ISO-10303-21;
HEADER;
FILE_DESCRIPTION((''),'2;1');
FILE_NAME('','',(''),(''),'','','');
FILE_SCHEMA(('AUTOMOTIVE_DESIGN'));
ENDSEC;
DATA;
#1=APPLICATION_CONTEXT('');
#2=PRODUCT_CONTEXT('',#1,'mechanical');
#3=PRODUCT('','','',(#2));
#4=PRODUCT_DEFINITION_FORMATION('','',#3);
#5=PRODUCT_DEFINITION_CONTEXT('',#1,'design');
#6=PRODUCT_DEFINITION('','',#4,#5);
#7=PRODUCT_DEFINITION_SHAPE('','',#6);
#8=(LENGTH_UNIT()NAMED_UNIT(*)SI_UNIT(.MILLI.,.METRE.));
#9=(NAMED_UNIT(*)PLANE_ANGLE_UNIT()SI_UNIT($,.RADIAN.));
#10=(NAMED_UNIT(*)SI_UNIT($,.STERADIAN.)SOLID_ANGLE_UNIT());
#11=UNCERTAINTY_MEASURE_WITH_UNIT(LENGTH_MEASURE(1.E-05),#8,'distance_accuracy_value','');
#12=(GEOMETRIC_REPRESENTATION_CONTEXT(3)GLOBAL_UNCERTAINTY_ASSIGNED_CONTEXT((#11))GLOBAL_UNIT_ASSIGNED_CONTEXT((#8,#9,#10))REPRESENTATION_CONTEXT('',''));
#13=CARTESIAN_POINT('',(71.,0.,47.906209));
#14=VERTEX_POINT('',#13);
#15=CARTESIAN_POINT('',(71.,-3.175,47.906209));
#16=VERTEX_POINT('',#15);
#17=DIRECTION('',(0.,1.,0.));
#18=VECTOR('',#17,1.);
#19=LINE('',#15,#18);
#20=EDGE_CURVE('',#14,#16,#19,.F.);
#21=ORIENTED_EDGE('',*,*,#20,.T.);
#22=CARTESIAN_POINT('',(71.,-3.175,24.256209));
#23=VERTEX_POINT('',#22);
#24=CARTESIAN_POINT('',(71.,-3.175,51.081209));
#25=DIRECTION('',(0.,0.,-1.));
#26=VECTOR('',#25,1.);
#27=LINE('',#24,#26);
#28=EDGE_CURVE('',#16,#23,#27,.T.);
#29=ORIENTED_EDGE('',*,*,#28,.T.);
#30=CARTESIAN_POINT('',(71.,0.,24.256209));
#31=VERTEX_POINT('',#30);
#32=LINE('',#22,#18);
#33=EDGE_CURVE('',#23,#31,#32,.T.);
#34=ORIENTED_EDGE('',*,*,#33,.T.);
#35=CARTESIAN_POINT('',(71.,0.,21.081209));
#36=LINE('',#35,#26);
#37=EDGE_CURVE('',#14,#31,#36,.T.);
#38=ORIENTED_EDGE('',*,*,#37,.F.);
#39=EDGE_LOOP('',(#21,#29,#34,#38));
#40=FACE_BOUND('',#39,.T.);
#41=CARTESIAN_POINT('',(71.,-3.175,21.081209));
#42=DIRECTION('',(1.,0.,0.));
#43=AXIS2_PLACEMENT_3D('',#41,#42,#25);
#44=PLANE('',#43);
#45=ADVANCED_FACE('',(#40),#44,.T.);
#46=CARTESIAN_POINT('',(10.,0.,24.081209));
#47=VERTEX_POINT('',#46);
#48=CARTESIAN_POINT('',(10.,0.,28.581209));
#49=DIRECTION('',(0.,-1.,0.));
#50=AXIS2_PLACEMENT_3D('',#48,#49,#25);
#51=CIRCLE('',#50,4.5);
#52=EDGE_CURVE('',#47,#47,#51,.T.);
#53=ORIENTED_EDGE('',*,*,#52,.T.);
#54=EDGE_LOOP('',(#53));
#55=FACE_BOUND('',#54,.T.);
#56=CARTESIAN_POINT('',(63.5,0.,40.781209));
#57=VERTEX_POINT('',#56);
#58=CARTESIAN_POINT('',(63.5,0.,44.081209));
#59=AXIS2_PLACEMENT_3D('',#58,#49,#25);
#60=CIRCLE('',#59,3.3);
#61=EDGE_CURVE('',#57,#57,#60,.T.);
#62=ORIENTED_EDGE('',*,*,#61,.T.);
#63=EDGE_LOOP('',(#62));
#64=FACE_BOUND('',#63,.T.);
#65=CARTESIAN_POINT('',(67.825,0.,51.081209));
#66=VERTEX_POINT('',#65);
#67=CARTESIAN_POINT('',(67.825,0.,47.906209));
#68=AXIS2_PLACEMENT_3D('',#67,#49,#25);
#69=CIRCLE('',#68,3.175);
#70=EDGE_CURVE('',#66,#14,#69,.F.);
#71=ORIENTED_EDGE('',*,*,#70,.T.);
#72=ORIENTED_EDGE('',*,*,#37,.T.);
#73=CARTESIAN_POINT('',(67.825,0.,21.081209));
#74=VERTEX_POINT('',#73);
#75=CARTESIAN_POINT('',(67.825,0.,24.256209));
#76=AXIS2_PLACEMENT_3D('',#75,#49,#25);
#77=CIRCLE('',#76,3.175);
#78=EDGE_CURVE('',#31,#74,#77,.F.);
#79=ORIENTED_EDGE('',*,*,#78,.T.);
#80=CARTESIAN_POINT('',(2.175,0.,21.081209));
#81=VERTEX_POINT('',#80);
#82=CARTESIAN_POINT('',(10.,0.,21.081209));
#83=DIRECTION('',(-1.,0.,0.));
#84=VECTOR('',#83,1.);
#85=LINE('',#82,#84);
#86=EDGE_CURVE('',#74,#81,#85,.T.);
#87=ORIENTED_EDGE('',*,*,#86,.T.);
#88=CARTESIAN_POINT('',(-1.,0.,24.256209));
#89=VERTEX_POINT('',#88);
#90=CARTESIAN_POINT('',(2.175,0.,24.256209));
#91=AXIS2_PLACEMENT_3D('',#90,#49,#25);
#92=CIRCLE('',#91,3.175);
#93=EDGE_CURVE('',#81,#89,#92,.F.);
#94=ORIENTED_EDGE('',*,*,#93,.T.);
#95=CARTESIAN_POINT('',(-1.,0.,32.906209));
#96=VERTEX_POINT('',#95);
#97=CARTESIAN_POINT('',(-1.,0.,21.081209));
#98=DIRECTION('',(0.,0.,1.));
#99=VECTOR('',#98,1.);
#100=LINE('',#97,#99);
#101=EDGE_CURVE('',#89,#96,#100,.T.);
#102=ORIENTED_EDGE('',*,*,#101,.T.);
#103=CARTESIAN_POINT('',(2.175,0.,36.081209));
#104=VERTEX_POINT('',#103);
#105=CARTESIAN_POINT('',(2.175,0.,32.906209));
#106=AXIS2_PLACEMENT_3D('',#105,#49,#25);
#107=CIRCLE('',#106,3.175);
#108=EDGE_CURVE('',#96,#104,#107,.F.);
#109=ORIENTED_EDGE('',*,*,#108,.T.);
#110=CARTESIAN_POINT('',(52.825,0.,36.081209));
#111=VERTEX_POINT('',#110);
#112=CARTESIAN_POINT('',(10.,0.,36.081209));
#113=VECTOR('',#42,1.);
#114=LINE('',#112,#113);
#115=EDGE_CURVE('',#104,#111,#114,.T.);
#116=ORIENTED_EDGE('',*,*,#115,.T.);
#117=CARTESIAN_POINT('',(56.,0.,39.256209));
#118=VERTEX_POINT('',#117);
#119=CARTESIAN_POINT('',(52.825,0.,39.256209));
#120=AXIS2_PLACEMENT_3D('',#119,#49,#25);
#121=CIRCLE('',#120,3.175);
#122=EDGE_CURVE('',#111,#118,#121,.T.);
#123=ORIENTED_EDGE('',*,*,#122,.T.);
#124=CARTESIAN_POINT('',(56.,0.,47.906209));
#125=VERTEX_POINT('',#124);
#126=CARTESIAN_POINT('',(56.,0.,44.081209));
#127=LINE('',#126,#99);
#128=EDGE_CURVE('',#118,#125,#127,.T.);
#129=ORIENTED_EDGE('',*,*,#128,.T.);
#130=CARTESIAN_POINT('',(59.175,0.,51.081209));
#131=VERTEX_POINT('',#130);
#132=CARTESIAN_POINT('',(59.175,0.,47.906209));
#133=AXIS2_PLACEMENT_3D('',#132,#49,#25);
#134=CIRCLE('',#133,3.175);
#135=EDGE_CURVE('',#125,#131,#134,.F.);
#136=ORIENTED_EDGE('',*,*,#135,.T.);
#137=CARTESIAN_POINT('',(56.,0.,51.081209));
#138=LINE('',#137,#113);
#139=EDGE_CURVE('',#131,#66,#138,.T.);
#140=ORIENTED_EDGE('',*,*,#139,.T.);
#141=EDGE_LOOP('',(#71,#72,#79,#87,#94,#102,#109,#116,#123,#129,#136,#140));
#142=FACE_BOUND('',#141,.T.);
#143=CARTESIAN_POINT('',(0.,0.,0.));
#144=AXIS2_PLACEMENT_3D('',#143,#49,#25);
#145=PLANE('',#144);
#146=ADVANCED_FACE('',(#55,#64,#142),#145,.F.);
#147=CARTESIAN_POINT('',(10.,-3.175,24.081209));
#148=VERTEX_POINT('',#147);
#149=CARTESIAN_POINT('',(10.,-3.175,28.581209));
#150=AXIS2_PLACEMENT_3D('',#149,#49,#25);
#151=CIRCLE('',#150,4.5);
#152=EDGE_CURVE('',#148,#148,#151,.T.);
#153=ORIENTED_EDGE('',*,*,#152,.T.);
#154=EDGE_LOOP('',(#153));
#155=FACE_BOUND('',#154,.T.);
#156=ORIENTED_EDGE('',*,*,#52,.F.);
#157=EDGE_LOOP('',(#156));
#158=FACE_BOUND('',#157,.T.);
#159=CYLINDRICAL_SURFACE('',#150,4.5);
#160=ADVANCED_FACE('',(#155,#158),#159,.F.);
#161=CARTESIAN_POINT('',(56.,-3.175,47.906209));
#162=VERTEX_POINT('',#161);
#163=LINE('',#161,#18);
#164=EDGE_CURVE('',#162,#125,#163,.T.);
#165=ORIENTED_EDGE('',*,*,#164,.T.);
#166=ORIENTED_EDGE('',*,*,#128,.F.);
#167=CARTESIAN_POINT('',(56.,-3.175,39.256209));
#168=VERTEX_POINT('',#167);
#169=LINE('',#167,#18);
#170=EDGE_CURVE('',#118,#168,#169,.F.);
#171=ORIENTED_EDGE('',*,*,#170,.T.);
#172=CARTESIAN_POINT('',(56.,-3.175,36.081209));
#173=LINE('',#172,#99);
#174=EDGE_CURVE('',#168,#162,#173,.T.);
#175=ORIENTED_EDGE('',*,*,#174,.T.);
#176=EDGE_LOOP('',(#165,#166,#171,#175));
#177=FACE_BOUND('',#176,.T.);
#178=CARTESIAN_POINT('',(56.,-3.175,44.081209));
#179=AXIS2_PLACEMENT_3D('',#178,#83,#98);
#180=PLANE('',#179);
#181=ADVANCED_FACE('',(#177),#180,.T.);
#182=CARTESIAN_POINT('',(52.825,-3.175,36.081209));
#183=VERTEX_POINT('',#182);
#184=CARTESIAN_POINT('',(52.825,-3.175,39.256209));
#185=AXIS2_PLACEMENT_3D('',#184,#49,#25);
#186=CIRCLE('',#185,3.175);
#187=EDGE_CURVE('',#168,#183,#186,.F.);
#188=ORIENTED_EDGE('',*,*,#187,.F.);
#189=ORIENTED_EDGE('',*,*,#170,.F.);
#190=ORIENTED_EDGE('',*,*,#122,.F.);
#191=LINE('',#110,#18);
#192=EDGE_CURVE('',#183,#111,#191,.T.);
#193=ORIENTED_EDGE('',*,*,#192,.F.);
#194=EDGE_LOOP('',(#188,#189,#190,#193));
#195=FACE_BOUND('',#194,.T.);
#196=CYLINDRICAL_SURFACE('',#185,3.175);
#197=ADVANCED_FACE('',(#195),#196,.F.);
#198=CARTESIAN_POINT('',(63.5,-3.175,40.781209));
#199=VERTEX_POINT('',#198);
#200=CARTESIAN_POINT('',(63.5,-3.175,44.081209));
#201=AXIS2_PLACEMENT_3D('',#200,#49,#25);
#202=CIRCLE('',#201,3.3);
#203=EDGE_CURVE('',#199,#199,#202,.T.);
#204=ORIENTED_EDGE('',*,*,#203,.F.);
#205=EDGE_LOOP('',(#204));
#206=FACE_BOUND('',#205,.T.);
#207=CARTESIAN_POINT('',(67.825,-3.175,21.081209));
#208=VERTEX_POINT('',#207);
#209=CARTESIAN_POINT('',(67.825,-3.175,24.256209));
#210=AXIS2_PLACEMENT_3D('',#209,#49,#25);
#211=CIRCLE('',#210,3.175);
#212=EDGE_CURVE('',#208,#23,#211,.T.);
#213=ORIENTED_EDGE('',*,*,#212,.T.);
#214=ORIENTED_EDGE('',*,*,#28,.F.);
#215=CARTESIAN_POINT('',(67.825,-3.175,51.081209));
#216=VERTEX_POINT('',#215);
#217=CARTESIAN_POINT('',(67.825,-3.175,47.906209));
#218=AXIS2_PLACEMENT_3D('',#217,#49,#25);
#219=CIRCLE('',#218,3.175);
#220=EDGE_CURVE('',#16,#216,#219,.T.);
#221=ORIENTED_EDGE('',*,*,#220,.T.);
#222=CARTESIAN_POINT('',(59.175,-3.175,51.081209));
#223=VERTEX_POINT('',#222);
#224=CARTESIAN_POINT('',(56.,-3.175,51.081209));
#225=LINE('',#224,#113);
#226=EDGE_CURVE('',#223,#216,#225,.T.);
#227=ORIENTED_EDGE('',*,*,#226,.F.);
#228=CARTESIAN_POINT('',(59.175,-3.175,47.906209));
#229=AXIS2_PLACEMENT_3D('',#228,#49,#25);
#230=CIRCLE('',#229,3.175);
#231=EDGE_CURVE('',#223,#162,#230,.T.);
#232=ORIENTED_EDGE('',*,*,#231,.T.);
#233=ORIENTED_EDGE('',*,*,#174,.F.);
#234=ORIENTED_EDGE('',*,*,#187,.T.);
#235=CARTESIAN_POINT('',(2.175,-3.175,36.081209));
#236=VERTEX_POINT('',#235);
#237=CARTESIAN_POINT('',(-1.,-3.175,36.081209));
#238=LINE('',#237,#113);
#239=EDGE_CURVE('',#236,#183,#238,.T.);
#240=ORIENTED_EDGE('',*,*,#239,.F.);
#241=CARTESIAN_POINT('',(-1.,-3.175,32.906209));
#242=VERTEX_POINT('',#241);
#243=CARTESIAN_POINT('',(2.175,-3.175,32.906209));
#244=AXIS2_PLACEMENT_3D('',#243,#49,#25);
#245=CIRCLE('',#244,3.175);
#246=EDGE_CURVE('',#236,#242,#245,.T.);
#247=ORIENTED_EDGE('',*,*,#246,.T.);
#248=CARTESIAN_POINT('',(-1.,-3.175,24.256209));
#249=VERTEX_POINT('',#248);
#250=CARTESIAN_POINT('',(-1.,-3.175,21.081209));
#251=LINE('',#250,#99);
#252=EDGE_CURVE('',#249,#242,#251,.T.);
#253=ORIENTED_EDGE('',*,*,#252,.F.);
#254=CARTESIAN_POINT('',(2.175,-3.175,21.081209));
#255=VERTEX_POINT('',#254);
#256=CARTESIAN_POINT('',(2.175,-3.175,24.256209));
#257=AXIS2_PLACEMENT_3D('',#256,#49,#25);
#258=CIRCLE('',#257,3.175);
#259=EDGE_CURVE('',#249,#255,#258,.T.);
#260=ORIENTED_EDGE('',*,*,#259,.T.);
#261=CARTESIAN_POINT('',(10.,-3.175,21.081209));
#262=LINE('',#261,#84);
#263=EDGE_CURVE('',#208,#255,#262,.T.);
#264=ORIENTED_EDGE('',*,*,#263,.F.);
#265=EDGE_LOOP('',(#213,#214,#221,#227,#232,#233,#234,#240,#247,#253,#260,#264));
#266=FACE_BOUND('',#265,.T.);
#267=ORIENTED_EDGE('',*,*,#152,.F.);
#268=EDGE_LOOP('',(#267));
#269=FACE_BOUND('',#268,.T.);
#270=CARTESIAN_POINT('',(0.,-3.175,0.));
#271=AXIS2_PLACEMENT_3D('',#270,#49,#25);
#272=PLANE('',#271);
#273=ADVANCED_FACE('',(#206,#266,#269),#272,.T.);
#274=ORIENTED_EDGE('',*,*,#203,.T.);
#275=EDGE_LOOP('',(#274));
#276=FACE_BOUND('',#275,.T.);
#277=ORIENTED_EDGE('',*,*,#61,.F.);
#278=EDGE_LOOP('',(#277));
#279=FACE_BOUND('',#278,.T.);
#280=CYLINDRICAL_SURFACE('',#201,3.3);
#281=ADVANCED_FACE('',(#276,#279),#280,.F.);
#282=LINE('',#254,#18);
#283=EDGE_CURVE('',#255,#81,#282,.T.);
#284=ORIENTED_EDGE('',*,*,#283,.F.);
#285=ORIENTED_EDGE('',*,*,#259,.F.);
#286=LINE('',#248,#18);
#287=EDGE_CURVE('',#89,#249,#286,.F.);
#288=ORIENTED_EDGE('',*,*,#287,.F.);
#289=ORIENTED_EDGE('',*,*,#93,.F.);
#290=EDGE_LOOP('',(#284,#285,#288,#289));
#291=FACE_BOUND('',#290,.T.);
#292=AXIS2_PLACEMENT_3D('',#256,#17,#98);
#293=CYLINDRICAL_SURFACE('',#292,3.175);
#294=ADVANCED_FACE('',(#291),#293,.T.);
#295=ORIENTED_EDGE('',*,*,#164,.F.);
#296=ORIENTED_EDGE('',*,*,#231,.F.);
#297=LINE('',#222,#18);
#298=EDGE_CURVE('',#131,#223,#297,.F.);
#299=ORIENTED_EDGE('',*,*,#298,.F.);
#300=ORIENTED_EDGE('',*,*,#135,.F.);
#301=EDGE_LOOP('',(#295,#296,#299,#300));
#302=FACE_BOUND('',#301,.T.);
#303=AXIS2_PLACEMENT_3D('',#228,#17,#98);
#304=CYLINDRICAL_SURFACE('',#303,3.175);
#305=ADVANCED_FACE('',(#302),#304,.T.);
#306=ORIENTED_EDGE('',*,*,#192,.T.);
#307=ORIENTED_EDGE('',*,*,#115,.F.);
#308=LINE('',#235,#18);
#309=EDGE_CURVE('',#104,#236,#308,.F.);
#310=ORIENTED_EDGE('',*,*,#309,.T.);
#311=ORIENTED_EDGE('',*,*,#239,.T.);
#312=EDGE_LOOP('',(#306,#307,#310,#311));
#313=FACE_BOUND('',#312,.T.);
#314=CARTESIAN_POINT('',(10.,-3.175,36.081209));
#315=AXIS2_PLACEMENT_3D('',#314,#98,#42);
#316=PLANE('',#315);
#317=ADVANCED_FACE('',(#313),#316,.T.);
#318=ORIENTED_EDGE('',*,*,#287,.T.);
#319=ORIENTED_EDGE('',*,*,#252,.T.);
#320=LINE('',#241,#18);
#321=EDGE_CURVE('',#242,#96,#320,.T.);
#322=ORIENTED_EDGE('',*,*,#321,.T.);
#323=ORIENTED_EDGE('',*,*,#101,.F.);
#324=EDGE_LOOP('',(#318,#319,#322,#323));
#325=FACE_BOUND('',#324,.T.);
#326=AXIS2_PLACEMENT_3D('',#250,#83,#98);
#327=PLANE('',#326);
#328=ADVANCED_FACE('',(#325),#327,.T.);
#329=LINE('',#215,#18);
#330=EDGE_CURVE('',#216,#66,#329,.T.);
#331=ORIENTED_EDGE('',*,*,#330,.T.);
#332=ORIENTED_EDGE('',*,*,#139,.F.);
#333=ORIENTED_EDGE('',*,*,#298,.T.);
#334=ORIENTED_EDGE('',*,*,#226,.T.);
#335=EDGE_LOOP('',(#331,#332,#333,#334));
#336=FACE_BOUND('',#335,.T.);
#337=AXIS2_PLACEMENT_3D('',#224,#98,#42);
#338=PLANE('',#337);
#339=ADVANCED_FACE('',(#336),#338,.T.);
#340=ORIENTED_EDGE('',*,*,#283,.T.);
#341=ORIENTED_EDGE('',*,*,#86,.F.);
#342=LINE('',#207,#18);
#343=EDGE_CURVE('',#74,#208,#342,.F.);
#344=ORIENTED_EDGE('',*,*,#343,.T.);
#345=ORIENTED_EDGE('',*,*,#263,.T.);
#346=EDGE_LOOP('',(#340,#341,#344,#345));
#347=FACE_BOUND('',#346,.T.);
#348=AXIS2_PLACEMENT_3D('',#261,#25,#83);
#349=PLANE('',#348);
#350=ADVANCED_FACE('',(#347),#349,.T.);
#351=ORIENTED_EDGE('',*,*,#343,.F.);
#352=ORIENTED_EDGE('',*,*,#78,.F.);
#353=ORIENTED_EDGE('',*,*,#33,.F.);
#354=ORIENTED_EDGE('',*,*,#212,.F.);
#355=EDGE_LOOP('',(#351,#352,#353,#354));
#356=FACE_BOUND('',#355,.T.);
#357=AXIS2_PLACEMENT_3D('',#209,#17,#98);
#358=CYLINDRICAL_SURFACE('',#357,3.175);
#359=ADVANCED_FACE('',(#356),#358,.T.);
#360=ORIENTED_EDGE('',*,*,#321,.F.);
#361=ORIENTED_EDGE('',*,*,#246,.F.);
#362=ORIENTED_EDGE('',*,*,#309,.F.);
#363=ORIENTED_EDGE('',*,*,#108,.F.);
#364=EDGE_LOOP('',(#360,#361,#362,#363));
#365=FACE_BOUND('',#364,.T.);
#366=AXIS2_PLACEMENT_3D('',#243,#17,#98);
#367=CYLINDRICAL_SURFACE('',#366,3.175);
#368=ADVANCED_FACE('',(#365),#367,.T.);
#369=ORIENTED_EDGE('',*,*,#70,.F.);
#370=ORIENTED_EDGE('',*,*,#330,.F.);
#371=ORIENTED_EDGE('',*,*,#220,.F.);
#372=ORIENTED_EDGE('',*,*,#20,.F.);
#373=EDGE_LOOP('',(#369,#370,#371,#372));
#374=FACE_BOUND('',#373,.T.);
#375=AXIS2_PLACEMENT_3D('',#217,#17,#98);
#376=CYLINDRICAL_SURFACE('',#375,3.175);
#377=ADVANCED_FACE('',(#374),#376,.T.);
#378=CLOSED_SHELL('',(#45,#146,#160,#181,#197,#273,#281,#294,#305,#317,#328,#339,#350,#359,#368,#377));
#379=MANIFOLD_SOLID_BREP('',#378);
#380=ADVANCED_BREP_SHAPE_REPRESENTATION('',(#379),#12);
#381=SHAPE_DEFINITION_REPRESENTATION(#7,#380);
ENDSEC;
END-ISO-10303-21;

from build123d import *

# Parameters (mm, degrees)
BOSS_EXTRUDE1_DEPTH  = 3.175
M8_CLEARANCE_HOLE1_D = 9
M6_CLEARANCE_HOLE1_D = 6.6
FILLET1_R            = 3.175


with BuildPart() as part:
    # Sketch1 → Boss-Extrude1 (new body)
    with BuildSketch(Plane(origin=(0, 0, 0), x_dir=(1, 0, 0), z_dir=(0, 1, 0))):
        Polygon((10, -36.0812086), (56, -36.0812086), (56, -44.0812086), (56, -51.0812086), (71, -51.0812086), (71, -44.0812086), (71, -21.0812086), (10, -21.0812086), (-1, -21.0812086), (-1, -36.0812086), align=None)
    extrude(amount=-BOSS_EXTRUDE1_DEPTH)

    # M8 Clearance Hole1 (through all)
    with Locations(Plane(origin=(0, -3.175, 0), x_dir=(-1, 0, 0), z_dir=(0, -1, 0))):
        with Locations((-10, -28.5812086)):
            Hole(M8_CLEARANCE_HOLE1_D / 2)

    # M6 Clearance Hole1 (through all)
    with Locations(Plane(origin=(0, -3.175, 0), x_dir=(-1, 0, 0), z_dir=(0, -1, 0))):
        with Locations((-63.5, -44.0812086)):
            Hole(M6_CLEARANCE_HOLE1_D / 2)

    # Fillet1
    fillet1_edges = [part.edges().sort_by_distance(p)[0] for p in [
        (71, -1.5875, 51.0812086),
        (56, -1.5875, 51.0812086),
        (56, -1.5875, 36.0812086),
        (-1, -1.5875, 36.0812086),
        (-1, -1.5875, 21.0812086),
        (71, -1.5875, 21.0812086),
    ]]
    fillet(fillet1_edges, radius=FILLET1_R)


solid = part.part
